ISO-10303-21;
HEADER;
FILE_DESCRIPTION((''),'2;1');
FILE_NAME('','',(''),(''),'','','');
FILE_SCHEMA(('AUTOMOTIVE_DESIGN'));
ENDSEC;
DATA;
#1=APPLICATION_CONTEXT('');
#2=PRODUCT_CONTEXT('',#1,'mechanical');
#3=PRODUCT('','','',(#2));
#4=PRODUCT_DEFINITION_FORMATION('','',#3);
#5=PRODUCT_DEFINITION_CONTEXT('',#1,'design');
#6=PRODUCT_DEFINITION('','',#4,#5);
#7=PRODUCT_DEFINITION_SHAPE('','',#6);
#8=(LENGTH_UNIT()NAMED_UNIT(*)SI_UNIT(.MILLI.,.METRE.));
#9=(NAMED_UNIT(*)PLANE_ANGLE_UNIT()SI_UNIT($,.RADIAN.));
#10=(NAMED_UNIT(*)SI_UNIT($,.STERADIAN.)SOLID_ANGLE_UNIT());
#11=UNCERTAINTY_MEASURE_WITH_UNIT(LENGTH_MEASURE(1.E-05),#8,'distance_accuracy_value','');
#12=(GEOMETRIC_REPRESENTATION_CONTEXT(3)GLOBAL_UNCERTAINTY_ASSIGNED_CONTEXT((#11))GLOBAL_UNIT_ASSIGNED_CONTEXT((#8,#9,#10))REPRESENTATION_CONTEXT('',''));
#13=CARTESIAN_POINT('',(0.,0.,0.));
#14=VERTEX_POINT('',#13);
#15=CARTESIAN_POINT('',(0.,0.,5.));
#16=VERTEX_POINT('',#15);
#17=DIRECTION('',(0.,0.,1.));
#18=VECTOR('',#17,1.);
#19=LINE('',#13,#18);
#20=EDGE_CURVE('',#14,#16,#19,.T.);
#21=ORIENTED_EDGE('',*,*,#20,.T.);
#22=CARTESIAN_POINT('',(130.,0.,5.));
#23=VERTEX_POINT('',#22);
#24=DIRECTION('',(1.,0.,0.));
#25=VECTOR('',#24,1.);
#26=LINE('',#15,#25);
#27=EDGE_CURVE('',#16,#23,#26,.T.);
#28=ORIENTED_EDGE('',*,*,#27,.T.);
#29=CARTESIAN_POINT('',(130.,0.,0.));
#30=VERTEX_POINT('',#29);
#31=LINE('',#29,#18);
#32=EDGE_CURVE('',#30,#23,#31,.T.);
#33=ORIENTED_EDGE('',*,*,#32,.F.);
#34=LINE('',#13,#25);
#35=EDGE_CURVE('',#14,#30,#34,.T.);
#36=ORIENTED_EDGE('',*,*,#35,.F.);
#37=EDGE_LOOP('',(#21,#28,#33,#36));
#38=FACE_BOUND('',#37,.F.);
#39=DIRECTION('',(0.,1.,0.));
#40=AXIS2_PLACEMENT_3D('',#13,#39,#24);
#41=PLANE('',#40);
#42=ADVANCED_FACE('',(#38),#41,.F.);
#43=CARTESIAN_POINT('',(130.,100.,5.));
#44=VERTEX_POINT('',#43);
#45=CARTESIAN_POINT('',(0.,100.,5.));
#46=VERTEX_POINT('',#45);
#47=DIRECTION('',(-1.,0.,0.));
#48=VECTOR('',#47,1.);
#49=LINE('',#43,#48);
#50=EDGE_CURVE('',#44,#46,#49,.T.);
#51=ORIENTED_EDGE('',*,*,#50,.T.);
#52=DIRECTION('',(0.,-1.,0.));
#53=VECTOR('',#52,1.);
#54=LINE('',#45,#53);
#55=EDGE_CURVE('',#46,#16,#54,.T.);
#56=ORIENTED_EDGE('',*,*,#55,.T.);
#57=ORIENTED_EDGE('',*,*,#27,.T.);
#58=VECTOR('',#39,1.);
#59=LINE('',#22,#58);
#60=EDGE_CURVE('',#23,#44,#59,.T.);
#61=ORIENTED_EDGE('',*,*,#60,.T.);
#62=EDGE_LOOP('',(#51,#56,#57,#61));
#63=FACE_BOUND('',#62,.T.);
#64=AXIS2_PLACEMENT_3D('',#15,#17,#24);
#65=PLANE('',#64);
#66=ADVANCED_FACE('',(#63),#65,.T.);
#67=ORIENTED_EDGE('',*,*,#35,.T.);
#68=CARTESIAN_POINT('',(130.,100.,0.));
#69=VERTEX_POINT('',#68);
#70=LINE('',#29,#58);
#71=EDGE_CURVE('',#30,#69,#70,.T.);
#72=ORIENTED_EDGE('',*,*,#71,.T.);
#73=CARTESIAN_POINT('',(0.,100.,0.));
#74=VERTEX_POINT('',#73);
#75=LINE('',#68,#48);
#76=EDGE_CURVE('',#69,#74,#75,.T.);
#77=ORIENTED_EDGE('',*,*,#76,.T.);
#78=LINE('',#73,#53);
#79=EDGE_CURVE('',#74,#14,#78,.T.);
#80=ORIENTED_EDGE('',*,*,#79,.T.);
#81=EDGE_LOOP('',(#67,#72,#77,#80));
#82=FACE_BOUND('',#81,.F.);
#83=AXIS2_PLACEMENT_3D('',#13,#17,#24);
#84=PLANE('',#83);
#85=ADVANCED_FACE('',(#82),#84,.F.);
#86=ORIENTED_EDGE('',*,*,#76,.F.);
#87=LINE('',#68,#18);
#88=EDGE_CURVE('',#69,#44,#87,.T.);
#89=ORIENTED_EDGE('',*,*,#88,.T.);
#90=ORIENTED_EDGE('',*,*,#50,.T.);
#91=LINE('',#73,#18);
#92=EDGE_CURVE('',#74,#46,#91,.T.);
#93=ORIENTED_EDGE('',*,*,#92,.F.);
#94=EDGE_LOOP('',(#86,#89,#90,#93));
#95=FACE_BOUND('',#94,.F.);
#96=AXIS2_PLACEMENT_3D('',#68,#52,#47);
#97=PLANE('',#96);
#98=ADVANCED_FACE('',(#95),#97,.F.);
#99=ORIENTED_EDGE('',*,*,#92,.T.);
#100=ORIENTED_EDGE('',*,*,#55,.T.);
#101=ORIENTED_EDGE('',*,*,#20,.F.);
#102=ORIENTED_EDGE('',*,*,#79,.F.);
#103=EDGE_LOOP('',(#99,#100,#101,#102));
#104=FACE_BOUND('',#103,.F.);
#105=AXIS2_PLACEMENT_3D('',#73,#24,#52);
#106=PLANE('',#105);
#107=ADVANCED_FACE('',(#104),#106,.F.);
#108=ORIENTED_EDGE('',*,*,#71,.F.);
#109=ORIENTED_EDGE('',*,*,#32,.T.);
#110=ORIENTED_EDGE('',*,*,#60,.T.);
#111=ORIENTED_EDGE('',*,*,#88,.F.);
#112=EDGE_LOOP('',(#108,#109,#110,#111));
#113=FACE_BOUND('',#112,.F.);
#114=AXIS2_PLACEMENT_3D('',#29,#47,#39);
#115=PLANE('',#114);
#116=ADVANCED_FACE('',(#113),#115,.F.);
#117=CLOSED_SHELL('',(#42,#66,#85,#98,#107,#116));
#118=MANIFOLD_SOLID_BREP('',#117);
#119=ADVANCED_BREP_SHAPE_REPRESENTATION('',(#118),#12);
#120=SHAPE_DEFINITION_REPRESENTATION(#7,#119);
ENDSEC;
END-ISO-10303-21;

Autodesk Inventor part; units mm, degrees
ref_plane "YZ Plane" through (0, 0, 0) normal (1, 0, 0) x (0, 1, 0)
ref_plane "XZ Plane" through (0, 0, 0) normal (0, 1, 0) x (-1, 0, 0)
ref_plane "XY Plane" through (0, 0, 0) normal (0, 0, 1) x (1, 0, 0)
sketch "スケッチ1" plane through (0, 0, 0) normal (0, 0, 1) x (1, 0, 0)
  line L0 (0, 0) -> (130, 0)
  line L1 (130, 0) -> (130, 100)
  line L2 (130, 100) -> (0, 100)
  line L3 (0, 100) -> (0, 0)
  dimension "d0" = 130
  dimension "d1" = 100
extrude "押し出し1" add sketch "スケッチ1" along normal blind 5
properties part number "circuit_base" material "アセタール樹脂、黒"
